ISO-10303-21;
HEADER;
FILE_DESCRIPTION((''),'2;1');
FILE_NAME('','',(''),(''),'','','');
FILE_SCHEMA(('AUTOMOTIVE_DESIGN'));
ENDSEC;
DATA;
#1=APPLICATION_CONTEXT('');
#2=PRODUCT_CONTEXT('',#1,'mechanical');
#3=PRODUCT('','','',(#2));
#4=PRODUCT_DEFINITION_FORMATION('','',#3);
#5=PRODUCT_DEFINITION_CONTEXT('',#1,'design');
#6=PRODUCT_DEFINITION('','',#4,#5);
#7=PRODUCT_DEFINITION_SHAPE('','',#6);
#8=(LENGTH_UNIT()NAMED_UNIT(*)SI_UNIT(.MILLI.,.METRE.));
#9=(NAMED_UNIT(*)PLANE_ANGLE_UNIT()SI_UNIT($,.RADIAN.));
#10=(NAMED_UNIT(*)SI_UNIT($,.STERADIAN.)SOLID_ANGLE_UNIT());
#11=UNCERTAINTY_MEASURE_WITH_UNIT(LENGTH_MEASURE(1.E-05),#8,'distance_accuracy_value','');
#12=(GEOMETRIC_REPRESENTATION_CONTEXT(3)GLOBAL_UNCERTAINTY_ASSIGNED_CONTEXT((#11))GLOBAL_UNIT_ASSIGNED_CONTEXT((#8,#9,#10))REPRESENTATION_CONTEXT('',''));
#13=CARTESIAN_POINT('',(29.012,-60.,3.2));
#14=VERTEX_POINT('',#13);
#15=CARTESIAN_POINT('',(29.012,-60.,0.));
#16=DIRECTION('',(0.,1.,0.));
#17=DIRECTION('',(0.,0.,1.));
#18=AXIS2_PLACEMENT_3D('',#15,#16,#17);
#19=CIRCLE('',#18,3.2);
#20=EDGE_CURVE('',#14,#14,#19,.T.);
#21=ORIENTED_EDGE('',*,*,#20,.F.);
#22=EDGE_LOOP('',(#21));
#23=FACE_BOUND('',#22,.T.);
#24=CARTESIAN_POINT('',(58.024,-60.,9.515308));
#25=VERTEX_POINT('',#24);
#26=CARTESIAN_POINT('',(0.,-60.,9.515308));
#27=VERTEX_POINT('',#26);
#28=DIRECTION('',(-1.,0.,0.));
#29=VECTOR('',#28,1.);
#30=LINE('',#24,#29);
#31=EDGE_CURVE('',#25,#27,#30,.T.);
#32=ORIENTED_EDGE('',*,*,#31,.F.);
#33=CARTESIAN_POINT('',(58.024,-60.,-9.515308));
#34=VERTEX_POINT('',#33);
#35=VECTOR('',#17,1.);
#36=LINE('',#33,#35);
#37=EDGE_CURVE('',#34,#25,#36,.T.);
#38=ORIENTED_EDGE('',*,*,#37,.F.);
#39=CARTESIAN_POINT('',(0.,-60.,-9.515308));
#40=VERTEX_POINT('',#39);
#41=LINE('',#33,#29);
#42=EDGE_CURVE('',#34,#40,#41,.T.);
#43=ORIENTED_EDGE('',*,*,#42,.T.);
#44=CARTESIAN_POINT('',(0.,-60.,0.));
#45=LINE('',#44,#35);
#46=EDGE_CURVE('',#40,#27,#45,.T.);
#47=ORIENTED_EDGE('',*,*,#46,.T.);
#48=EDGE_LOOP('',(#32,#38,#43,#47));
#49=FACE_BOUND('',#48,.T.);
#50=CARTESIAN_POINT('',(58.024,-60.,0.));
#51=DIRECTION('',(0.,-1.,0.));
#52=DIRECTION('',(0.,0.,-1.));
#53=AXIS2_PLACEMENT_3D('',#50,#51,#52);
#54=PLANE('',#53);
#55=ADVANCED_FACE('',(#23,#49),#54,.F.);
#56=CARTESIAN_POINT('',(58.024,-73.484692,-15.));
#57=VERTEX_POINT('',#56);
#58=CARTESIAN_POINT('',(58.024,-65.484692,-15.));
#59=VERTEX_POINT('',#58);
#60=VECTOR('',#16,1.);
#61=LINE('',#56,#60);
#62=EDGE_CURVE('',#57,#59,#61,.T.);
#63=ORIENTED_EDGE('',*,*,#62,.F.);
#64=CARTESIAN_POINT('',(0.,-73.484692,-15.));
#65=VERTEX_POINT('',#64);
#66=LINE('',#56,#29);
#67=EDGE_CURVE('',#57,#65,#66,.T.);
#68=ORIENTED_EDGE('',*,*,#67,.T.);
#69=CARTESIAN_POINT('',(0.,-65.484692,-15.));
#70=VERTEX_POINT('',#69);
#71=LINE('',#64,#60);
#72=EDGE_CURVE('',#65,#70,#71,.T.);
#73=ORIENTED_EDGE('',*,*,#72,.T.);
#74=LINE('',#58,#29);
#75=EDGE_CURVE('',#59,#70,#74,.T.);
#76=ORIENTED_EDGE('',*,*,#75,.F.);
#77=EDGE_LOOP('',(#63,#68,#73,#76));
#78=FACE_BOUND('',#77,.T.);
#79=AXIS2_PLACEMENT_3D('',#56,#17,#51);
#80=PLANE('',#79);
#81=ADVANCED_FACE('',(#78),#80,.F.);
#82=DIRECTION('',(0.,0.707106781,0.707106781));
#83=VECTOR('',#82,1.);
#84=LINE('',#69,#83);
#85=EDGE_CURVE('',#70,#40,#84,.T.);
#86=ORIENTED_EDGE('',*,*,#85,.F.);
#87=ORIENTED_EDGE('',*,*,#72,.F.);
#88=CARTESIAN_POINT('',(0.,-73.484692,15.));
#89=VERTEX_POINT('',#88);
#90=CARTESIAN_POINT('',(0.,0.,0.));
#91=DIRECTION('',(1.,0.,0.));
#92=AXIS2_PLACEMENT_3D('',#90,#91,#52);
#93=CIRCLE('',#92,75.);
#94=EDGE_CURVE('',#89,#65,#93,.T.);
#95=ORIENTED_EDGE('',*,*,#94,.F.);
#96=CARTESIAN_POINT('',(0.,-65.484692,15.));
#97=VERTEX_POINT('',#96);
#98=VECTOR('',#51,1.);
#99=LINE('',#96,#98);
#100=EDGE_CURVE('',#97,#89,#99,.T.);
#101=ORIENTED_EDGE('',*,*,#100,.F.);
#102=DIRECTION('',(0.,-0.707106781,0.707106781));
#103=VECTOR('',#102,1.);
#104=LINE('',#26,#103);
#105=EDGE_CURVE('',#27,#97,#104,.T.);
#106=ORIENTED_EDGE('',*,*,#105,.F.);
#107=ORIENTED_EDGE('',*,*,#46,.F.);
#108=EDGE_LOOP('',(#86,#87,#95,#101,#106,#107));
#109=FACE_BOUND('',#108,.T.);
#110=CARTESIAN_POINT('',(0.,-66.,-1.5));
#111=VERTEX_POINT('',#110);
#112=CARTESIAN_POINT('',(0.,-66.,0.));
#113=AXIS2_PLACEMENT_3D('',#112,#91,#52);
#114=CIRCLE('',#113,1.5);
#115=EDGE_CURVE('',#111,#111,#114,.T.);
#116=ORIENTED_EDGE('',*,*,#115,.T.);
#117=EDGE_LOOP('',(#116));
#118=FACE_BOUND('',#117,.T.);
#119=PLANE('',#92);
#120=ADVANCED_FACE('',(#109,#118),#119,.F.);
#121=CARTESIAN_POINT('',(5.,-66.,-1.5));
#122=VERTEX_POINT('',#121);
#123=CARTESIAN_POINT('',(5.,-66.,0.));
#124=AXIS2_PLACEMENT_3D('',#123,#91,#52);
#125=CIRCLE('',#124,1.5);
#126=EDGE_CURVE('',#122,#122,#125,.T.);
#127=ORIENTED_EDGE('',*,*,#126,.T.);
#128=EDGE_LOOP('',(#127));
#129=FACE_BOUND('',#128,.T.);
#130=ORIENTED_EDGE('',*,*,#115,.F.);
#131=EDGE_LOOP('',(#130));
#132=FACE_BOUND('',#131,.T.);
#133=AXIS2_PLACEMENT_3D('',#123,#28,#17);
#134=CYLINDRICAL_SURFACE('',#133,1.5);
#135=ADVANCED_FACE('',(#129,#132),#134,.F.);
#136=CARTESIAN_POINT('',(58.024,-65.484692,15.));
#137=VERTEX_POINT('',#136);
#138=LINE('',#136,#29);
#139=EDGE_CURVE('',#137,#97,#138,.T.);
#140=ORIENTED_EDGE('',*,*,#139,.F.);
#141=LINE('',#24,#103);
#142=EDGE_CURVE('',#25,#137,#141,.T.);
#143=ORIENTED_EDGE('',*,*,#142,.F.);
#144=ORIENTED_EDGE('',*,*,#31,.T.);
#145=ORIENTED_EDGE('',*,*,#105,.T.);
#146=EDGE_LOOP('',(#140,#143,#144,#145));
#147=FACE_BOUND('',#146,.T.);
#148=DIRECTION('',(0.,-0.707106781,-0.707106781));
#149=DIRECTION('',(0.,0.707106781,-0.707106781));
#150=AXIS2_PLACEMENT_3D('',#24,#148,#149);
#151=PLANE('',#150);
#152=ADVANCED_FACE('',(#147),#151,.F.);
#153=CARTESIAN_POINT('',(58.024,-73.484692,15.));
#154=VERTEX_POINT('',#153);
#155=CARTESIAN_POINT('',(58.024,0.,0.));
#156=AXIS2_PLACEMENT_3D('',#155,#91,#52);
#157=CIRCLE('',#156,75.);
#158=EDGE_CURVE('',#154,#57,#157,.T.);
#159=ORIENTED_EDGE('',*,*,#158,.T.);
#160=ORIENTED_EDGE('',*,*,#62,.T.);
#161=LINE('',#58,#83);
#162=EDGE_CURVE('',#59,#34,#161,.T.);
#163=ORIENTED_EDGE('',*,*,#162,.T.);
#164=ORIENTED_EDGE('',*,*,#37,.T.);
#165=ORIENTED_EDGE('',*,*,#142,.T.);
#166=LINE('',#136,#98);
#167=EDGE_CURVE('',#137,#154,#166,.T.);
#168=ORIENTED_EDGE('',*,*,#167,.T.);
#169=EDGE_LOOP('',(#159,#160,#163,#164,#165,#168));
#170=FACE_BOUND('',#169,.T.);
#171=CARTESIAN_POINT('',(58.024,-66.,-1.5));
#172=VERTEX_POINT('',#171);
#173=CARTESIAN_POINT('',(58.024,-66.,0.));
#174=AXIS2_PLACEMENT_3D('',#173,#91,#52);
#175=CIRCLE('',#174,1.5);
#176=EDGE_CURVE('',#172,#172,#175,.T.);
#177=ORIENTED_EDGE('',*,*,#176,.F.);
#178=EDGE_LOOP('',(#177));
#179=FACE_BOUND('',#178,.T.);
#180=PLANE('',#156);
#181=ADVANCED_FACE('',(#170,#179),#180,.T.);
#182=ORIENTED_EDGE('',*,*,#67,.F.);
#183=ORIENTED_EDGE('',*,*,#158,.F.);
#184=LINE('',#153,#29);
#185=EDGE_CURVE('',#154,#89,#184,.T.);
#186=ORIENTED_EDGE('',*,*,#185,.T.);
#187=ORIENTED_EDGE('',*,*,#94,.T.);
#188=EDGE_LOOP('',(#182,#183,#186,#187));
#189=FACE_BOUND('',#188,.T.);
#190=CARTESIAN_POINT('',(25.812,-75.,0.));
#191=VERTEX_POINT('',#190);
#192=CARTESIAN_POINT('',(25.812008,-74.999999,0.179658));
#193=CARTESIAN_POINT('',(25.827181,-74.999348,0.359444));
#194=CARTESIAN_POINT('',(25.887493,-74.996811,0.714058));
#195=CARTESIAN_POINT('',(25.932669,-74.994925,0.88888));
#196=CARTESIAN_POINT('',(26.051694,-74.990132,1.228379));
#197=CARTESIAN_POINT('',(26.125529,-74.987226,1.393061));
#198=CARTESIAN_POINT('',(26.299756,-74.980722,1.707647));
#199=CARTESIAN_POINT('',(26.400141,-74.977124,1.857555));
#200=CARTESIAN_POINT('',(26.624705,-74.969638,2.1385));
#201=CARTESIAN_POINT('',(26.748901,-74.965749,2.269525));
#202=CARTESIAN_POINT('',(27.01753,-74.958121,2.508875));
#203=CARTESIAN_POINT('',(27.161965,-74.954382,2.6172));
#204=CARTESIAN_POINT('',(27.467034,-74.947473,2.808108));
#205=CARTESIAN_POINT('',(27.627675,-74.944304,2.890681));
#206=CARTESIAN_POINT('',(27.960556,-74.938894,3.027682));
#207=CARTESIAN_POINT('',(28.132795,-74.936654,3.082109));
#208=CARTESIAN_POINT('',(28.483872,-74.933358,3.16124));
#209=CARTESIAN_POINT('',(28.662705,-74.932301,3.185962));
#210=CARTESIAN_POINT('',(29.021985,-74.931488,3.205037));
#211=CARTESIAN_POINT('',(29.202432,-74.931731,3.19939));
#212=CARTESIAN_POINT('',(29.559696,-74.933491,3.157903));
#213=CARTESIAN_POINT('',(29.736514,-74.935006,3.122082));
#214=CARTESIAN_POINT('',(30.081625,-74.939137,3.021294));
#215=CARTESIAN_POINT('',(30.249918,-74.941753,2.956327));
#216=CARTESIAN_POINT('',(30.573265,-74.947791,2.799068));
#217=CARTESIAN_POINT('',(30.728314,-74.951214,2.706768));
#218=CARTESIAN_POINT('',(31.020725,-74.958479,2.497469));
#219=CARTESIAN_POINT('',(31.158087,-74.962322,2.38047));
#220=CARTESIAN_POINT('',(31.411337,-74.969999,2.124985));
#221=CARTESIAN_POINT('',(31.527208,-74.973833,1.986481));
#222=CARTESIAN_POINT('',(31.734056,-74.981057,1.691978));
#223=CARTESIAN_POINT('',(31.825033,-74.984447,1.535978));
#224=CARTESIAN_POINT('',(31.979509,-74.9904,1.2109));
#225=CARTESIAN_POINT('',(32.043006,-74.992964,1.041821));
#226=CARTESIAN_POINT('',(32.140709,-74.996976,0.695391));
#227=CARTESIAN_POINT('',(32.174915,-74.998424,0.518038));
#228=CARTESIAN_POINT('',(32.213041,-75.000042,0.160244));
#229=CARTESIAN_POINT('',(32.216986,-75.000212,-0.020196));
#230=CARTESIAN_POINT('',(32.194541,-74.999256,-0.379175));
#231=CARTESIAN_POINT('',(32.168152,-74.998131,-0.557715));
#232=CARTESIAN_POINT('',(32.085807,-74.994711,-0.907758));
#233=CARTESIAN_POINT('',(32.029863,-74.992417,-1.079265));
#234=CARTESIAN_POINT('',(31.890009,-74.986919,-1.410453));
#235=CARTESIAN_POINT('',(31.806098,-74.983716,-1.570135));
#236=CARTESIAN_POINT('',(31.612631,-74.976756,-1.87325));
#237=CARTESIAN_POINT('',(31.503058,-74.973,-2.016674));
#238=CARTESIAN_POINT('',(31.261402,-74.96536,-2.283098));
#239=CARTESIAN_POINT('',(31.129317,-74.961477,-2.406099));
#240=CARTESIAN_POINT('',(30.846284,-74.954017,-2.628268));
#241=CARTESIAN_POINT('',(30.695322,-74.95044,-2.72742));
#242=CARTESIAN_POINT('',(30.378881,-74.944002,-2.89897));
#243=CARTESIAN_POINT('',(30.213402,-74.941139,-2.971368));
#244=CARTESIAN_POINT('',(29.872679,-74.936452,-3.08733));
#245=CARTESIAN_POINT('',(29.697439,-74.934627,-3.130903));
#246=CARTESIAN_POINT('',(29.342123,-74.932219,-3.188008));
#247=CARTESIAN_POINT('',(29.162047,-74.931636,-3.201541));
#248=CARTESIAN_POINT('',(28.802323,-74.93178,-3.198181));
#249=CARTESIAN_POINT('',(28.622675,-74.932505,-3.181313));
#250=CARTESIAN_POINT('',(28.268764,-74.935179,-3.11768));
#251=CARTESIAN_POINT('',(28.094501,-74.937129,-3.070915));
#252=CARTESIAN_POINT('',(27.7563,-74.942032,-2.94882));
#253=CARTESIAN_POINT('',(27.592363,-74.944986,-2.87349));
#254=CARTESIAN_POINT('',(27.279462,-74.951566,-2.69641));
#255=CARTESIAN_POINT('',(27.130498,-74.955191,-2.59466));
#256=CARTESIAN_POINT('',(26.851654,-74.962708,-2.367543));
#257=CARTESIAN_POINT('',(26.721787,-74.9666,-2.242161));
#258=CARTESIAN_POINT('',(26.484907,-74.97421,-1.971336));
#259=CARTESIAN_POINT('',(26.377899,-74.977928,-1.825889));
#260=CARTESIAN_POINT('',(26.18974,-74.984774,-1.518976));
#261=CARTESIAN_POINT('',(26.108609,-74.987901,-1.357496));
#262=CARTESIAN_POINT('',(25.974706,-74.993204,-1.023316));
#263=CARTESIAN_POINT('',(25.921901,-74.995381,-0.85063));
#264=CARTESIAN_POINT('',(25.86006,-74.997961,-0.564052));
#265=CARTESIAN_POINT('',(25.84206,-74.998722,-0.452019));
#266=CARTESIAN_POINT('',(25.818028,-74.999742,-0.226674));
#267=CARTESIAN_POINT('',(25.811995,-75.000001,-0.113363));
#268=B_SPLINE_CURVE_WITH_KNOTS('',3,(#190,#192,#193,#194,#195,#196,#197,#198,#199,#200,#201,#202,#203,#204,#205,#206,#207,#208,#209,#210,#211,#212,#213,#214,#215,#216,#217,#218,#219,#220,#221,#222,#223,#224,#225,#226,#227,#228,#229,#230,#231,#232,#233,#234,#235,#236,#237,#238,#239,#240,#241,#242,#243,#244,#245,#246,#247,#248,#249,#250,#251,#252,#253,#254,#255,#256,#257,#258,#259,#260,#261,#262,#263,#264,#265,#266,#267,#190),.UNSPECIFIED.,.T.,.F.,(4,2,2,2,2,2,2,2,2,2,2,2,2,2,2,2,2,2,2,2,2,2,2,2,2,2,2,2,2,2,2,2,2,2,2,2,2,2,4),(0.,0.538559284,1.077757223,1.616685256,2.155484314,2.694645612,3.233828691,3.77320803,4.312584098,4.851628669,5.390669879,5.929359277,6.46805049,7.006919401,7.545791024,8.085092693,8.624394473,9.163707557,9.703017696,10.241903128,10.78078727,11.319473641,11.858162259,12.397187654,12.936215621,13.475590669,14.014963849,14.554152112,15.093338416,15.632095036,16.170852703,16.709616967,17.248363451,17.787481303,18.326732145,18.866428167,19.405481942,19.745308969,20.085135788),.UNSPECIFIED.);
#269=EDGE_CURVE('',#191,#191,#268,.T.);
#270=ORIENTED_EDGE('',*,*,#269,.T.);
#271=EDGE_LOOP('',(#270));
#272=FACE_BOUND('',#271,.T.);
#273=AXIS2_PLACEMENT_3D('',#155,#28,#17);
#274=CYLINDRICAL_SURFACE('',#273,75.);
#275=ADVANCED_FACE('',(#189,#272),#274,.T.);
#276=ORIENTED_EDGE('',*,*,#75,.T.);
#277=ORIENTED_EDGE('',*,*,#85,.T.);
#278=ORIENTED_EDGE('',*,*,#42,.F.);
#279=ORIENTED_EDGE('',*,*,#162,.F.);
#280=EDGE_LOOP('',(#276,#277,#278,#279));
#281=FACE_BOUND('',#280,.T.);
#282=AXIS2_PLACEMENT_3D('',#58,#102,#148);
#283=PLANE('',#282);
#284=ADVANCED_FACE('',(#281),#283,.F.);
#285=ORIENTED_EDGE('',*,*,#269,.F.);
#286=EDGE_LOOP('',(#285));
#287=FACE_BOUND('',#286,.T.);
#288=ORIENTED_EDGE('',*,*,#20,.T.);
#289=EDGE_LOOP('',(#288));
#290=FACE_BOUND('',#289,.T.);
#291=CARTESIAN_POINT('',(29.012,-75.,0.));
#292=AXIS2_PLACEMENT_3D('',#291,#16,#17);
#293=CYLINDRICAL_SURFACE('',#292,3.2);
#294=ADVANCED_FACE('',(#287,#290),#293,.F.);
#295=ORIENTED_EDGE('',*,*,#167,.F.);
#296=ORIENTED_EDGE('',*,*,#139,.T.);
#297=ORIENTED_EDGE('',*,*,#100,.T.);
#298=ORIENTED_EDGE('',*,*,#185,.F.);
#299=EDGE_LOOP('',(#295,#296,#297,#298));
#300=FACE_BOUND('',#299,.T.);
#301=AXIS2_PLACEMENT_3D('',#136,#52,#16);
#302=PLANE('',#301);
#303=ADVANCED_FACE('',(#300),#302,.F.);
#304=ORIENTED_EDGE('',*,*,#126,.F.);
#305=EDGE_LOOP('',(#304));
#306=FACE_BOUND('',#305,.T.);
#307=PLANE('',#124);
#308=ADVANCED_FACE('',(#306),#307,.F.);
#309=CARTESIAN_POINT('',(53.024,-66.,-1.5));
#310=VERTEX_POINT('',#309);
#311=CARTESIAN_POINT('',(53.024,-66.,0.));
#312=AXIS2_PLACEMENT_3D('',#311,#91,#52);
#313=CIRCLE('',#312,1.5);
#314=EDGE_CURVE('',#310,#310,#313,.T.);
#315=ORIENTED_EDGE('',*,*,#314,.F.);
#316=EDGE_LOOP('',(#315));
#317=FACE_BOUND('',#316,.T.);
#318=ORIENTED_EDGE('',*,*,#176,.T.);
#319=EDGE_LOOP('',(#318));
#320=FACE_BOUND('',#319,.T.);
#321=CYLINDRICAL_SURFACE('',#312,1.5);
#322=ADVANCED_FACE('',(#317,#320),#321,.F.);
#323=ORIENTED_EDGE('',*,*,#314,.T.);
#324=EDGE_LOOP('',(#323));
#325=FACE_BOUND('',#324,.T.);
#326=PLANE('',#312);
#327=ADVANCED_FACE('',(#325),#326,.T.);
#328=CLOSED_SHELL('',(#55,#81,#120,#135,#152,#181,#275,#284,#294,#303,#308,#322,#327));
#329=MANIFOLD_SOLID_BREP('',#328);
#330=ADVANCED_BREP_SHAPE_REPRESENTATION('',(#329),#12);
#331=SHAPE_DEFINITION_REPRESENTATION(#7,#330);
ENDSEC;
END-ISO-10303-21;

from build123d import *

# Parameters (mm, degrees)
BOSS_EXTRUDE1_DEPTH = 58.024
SKETCH2_R           = 3.2
CUT_EXTRUDE1_DEPTH  = 62.780130916
SKETCH4_R           = 1.5
CUT_EXTRUDE2_DEPTH  = 5
CUT_EXTRUDE4_START  = -5
SKETCH5_R           = 1.5
CUT_EXTRUDE4_DEPTH  = 5


with BuildPart() as part:
    # Sketch1 → Boss-Extrude1 (new body)
    with BuildSketch(Plane(origin=(0, 0, 0), x_dir=(0, 0, -1), z_dir=(1, 0, 0))):
        with BuildLine():
            Line((15, -73.484692283), (15, -65.484692283))
            Line((15, -65.484692283), (9.515307717, -60))
            Line((9.515307717, -60), (0, -60))
            Line((0, -60), (-9.515307717, -60))
            Line((-9.515307717, -60), (-15, -65.484692283))
            Line((-15, -65.484692283), (-15, -73.484692283))
            ThreePointArc((-15, -73.484692283), (0, -75), (15, -73.484692283))
        make_face()
    extrude(amount=BOSS_EXTRUDE1_DEPTH)

    # Sketch2 → Cut-Extrude1 (cut, through all)
    with BuildSketch(Plane(origin=(0, -60, 0), x_dir=(1, 0, 0), z_dir=(0, 1, 0))):
        with Locations(Location((29.012, 0, 0), (0, 0, 270))):
            Circle(SKETCH2_R)
    extrude(amount=-CUT_EXTRUDE1_DEPTH, mode=Mode.SUBTRACT)

    # Sketch4 → Cut-Extrude2 (cut)
    with BuildSketch(Plane(origin=(0, 0, 0), x_dir=(0, 0, -1), z_dir=(1, 0, 0))):
        with Locations((0, -66)):
            Circle(SKETCH4_R)
    extrude(amount=CUT_EXTRUDE2_DEPTH, mode=Mode.SUBTRACT)

    # Sketch5 → Cut-Extrude4 (cut)
    with BuildSketch(Plane(origin=(58.024, 0, 0), x_dir=(0, 0, -1), z_dir=(1, 0, 0)).offset(CUT_EXTRUDE4_START)):
        with Locations((0, -66)):
            Circle(SKETCH5_R)
    extrude(amount=CUT_EXTRUDE4_DEPTH, mode=Mode.SUBTRACT)


solid = part.part
